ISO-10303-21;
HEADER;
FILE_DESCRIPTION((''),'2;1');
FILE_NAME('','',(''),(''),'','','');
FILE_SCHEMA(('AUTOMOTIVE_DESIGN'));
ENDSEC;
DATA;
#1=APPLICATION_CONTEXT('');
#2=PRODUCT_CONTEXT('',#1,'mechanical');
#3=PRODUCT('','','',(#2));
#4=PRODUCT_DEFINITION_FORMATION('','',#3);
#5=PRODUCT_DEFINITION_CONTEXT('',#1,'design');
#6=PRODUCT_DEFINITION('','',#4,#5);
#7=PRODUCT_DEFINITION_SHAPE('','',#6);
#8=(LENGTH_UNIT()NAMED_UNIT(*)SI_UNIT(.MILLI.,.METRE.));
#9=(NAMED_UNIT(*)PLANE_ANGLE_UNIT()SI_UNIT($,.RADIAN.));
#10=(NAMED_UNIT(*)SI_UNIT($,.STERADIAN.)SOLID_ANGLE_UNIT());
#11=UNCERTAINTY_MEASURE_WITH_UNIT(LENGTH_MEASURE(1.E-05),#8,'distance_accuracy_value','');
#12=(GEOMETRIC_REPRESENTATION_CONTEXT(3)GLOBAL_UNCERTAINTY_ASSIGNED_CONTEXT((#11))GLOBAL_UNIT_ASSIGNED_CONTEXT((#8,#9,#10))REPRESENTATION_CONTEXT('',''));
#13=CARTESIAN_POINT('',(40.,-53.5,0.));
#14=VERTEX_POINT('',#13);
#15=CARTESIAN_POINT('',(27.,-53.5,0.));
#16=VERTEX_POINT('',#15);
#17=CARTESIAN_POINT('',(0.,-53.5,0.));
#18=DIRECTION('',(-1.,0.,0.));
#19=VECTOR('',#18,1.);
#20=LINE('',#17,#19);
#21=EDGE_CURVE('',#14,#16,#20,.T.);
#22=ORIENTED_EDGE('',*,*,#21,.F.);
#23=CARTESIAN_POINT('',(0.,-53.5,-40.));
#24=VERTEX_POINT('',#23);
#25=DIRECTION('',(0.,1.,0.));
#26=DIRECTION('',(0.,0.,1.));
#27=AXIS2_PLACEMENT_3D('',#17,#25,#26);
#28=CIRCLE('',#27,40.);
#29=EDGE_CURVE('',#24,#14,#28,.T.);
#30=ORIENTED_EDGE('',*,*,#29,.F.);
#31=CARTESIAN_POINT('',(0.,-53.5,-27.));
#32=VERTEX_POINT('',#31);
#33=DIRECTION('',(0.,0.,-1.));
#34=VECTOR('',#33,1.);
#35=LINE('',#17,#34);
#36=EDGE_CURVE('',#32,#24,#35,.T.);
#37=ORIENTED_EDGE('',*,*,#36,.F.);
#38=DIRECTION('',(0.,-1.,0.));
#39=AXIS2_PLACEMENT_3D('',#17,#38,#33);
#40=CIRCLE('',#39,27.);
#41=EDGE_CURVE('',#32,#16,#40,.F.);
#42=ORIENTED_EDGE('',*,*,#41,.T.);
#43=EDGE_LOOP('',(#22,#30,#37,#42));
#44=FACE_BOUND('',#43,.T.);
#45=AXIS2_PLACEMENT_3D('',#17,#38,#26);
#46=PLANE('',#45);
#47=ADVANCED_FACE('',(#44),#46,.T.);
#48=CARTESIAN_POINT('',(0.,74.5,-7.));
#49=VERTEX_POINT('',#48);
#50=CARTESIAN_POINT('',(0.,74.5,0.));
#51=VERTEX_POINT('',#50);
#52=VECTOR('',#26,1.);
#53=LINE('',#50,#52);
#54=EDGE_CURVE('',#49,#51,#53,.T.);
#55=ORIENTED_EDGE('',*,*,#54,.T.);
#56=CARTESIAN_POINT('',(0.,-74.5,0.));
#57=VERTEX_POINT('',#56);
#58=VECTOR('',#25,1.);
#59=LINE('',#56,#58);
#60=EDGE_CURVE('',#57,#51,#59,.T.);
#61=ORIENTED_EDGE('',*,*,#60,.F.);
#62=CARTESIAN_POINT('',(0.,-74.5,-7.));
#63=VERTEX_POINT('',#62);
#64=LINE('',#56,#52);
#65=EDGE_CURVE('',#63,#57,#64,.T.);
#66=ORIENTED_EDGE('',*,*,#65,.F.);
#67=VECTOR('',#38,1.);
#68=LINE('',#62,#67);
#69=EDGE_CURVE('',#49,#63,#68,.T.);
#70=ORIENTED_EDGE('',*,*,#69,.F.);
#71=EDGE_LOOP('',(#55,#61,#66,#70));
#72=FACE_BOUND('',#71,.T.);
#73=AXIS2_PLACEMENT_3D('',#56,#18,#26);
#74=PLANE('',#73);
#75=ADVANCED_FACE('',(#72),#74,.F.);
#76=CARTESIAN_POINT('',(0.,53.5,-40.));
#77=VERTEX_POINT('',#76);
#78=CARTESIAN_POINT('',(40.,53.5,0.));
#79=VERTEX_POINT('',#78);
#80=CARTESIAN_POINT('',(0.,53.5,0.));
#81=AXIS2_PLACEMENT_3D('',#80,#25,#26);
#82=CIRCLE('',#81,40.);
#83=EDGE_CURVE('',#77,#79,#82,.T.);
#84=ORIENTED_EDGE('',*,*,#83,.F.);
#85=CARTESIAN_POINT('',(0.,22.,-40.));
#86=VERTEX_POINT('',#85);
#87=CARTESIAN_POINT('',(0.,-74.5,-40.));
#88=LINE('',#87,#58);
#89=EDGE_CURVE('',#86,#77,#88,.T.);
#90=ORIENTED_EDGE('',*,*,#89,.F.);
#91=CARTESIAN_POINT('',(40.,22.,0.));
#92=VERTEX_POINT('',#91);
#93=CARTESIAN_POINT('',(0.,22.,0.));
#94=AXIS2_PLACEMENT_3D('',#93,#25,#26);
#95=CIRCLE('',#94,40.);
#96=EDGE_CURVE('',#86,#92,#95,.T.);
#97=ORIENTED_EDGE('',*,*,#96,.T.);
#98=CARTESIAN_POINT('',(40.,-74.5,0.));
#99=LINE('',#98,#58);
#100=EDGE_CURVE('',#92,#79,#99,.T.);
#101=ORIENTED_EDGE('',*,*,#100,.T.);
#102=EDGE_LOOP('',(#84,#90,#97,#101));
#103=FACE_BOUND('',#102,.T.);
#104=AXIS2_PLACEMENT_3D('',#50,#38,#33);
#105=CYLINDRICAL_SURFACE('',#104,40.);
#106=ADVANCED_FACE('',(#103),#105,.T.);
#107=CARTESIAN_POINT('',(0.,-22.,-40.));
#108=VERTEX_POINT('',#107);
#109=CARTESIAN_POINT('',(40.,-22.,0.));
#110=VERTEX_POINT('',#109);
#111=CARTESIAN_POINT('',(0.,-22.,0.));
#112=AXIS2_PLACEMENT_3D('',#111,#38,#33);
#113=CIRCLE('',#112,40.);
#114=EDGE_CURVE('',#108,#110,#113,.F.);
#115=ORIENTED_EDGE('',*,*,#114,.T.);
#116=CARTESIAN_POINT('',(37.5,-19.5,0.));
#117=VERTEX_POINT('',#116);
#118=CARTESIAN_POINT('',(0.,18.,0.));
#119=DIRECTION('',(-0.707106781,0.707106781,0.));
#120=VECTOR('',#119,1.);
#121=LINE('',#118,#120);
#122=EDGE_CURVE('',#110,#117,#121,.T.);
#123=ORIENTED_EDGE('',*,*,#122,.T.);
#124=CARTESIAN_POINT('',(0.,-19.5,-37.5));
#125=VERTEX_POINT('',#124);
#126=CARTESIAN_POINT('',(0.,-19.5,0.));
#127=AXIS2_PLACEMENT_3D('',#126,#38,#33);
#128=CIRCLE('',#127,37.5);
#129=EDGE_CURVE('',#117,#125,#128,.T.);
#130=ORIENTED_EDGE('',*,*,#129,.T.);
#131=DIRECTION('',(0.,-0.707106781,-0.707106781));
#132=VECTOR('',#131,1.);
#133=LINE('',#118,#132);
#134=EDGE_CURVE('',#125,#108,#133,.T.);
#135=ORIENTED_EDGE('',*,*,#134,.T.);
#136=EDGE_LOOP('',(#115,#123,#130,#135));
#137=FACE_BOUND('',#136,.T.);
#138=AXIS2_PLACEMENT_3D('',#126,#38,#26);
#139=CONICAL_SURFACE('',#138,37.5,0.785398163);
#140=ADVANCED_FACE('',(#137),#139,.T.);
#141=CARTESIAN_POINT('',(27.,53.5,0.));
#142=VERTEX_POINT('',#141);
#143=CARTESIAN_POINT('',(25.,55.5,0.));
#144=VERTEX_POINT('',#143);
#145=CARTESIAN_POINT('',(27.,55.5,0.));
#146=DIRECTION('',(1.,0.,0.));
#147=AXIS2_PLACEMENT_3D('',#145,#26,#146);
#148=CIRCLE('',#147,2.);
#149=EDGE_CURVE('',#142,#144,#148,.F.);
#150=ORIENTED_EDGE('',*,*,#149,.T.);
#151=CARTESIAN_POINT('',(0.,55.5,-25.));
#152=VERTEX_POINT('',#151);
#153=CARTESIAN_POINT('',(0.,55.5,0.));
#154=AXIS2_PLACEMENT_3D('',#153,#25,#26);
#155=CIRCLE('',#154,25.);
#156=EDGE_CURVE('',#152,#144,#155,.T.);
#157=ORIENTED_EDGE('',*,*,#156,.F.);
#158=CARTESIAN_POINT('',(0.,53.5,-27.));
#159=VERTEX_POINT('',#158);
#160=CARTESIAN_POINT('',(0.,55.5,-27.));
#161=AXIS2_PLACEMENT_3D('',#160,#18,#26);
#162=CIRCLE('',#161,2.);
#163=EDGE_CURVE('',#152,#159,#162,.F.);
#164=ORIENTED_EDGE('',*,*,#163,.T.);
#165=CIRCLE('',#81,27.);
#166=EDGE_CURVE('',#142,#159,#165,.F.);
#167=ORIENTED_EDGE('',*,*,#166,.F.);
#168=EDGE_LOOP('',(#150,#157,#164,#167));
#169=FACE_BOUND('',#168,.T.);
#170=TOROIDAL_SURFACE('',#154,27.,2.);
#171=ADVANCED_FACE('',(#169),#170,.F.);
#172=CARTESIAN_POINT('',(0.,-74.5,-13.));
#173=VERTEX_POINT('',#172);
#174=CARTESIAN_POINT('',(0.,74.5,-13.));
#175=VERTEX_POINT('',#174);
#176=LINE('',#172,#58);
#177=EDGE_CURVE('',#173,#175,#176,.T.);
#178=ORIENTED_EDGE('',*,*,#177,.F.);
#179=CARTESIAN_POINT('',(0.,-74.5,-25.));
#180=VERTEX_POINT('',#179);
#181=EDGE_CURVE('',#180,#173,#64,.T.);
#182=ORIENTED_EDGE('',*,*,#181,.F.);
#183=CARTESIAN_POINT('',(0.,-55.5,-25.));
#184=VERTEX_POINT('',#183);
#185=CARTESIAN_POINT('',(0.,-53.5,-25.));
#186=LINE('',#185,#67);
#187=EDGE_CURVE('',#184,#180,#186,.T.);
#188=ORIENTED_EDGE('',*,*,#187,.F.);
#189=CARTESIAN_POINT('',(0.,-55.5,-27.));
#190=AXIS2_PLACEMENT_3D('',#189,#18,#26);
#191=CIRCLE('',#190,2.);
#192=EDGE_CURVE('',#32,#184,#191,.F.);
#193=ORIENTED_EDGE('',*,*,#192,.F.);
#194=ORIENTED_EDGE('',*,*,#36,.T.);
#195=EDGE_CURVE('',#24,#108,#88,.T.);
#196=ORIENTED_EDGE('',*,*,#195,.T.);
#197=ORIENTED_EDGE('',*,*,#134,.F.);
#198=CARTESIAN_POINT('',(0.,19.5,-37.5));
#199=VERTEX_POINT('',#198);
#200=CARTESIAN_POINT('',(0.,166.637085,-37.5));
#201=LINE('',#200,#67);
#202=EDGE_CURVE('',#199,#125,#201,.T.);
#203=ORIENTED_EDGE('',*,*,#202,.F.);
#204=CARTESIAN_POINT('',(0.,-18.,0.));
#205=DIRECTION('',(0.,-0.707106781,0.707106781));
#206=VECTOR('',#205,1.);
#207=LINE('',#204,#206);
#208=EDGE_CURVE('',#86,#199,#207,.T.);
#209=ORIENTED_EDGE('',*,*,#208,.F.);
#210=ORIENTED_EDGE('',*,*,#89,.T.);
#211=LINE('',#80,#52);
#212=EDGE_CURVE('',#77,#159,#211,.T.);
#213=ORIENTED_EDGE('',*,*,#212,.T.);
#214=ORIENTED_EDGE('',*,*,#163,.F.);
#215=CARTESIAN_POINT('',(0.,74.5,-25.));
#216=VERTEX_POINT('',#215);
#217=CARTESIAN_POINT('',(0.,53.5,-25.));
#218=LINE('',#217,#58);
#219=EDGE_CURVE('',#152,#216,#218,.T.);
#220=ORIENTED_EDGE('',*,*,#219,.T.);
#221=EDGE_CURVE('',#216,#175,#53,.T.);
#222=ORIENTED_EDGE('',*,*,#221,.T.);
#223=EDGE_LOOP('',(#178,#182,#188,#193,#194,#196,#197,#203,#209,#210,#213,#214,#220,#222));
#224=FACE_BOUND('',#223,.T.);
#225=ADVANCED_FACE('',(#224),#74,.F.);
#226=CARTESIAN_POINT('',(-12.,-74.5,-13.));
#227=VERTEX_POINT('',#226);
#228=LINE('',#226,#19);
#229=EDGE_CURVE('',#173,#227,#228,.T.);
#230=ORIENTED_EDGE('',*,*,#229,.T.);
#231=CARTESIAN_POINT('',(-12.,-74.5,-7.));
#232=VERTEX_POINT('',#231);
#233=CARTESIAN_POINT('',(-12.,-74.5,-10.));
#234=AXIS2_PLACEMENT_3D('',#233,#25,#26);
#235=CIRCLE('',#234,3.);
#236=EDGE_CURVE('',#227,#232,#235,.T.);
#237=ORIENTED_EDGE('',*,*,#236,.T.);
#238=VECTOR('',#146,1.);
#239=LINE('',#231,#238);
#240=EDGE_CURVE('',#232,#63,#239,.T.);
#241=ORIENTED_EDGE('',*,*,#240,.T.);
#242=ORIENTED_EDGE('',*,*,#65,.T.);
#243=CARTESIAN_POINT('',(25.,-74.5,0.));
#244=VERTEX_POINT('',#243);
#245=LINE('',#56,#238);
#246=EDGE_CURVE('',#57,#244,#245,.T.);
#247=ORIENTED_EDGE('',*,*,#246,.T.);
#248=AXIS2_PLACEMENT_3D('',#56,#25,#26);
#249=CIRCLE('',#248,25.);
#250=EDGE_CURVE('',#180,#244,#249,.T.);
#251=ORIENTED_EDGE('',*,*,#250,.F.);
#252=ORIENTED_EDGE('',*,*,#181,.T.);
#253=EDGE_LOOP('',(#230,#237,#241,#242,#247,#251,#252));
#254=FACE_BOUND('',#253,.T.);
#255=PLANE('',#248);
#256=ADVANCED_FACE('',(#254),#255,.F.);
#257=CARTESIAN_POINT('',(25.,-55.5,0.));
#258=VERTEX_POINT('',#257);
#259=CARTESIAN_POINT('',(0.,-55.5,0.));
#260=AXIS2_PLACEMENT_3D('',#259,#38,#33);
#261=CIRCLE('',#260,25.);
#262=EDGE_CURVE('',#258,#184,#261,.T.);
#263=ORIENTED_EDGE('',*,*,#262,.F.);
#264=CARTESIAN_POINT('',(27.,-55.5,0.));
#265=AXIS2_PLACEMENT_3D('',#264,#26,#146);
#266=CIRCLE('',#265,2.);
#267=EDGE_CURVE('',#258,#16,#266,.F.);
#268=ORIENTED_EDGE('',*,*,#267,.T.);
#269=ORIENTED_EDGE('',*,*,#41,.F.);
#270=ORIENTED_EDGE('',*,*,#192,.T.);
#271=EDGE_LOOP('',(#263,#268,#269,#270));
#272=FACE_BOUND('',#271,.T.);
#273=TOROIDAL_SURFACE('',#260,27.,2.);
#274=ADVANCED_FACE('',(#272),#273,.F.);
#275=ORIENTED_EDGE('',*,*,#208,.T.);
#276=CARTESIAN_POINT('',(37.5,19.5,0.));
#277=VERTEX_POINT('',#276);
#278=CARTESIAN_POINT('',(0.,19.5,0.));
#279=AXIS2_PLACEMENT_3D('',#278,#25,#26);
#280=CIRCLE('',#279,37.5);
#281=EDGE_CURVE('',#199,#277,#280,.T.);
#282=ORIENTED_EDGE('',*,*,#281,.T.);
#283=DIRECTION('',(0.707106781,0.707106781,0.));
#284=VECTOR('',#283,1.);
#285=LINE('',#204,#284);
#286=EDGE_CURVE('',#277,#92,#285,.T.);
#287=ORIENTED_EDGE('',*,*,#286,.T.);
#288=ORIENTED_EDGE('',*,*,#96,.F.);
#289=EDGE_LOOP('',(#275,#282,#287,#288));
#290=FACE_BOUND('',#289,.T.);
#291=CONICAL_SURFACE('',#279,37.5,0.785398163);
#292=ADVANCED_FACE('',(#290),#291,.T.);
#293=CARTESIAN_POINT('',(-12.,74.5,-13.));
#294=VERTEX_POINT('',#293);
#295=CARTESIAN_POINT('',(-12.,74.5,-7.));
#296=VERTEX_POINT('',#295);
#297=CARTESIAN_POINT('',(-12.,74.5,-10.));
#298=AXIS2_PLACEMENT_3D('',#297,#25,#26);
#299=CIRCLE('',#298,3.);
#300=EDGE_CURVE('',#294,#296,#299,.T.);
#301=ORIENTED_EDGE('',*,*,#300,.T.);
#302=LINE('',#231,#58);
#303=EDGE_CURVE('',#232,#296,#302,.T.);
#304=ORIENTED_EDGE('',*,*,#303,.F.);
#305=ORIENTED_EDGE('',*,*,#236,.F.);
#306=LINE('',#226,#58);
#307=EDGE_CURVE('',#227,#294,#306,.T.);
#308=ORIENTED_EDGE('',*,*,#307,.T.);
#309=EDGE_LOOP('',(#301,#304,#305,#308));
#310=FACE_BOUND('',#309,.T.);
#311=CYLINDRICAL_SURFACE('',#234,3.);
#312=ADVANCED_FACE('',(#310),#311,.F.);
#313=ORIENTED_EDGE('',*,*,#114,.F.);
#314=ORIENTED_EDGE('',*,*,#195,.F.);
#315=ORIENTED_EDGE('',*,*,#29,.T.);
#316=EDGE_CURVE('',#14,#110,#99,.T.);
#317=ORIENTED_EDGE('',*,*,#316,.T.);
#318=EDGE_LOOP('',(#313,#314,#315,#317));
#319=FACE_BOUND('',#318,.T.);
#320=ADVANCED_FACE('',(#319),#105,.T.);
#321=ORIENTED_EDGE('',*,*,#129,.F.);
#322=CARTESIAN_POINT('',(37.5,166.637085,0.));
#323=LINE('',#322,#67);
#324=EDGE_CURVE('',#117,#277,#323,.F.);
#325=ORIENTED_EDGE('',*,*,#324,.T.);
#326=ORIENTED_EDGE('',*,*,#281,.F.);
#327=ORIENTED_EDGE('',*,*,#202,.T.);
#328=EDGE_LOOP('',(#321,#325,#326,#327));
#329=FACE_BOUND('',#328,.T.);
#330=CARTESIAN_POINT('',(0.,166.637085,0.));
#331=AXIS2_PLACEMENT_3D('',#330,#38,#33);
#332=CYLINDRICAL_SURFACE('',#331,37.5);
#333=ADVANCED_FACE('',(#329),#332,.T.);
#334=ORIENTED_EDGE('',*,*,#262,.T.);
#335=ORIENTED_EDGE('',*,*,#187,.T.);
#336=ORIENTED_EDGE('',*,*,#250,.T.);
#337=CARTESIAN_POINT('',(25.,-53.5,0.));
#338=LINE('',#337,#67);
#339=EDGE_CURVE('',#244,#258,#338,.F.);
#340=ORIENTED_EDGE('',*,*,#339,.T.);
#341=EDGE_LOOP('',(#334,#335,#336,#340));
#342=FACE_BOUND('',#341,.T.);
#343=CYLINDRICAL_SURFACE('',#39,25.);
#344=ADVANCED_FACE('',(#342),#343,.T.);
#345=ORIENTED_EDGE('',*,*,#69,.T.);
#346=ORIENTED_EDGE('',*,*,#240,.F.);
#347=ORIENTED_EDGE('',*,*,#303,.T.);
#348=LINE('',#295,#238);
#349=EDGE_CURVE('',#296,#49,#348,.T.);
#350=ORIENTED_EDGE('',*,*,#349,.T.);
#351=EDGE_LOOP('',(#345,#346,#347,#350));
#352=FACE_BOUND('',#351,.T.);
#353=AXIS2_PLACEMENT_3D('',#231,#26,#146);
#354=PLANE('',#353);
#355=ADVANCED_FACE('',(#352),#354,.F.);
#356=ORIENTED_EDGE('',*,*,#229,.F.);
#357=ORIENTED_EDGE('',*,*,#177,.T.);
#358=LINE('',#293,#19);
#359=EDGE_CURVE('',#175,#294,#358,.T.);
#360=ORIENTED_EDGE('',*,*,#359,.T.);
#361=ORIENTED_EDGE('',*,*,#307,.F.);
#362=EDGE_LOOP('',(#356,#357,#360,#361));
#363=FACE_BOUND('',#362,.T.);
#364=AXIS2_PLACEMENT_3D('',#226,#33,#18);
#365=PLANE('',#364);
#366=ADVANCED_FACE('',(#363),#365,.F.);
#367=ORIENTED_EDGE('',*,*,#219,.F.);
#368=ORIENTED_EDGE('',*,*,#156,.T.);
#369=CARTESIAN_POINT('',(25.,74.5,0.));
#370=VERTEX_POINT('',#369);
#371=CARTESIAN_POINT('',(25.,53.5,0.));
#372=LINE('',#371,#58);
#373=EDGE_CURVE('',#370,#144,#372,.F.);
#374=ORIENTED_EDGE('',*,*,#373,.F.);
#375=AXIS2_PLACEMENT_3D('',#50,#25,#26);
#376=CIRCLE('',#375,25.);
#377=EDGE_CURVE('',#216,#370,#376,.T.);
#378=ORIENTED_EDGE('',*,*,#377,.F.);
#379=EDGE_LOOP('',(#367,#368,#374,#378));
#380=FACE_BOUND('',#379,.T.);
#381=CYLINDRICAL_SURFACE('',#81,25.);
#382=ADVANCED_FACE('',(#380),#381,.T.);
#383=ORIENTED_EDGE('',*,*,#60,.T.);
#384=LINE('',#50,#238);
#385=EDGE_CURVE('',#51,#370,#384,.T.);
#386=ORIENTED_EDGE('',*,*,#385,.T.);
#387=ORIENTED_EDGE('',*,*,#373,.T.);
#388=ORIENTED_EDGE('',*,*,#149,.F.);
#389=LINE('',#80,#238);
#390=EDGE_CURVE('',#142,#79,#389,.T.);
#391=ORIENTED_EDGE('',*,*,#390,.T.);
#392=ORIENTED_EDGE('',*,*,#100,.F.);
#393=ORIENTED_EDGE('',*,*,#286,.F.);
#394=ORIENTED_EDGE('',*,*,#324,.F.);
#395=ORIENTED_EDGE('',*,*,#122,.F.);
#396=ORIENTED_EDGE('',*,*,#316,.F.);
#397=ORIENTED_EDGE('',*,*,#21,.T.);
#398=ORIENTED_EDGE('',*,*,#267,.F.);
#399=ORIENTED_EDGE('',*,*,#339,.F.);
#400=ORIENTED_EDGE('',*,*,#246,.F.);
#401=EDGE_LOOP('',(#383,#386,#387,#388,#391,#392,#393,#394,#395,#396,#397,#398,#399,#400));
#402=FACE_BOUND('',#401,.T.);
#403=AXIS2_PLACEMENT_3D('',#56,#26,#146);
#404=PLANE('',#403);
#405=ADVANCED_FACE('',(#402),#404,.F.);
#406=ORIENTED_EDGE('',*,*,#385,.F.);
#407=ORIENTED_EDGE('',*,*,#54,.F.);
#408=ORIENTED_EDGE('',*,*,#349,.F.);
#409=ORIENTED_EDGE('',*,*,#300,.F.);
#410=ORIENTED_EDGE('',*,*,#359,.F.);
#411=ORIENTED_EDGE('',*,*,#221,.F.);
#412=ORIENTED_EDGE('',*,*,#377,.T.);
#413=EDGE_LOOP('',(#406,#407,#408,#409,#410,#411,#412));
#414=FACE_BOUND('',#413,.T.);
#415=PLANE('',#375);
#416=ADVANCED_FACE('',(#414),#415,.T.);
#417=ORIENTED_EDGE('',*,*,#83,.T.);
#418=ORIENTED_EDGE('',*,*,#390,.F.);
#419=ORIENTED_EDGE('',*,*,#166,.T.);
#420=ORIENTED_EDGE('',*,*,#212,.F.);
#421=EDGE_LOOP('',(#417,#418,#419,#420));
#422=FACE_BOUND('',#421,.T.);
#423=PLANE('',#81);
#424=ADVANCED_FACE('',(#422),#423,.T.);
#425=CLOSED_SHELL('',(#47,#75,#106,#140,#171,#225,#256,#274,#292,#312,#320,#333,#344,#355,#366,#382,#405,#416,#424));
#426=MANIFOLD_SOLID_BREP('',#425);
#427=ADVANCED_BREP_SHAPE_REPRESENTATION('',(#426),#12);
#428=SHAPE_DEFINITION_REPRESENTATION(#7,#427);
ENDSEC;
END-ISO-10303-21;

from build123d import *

# Parameters (mm, degrees)
SKETCH1_R               = 40
BOSS_EXTRUDE1_DEPTH     = 74.5
SKETCH3_R               = 40
SKETCH3_R_2             = 25
CUT_EXTRUDE1_DEPTH      = 21
CUT_EXTRUDE2_DEPTH      = 22
CUT_EXTRUDE2_DEPTH_BACK = 22
SKETCH2_R               = 40
SKETCH2_R_2             = 37.5
CUT_EXTRUDE4_DEPTH      = 160.376911753
FILLET1_R               = 2
CUT_EXTRUDE5_DEPTH      = 160.376911753


with BuildPart() as part:
    # Sketch1 → Boss-Extrude1 (new, symmetric)
    with BuildSketch(Plane(origin=(0, 0, 0), x_dir=(1, 0, 0), z_dir=(0, 1, 0))):
        with Locations(Location((0, 0, 0), (0, 0, 270))):
            Circle(SKETCH1_R)
    extrude(amount=BOSS_EXTRUDE1_DEPTH, both=True)

    # Sketch3 → Cut-Extrude1 (cut)
    with BuildSketch(Plane(origin=(0, 74.5, 0), x_dir=(1, 0, 0), z_dir=(0, 1, 0))):
        with Locations(Location((0, 0, 0), (0, 0, 270))):
            Circle(SKETCH3_R)
        with Locations(Location((0, 0, 0), (0, 0, 270))):
            Circle(SKETCH3_R_2, mode=Mode.SUBTRACT)
    cut_extrude1 = extrude(amount=-CUT_EXTRUDE1_DEPTH, mode=Mode.SUBTRACT)

    # Mirror1: Cut-Extrude1 across plane
    add(cut_extrude1.mirror(Plane.ZX), mode=Mode.SUBTRACT)

    # Sketch2 → Cut-Extrude2 (cut, two sides: drawn at the far end of the back side and taken through both)
    with BuildSketch(Plane(origin=(0, 0, 0), x_dir=(1, 0, 0), z_dir=(0, 1, 0)).offset(-CUT_EXTRUDE2_DEPTH_BACK)):
        with Locations(Location((0, 0, 0), (0, 0, 270))):
            Circle(SKETCH2_R)
        with Locations(Location((0, 0, 0), (0, 0, 90))):
            Circle(SKETCH2_R_2, mode=Mode.SUBTRACT)
    extrude(amount=CUT_EXTRUDE2_DEPTH + CUT_EXTRUDE2_DEPTH_BACK, mode=Mode.SUBTRACT)

    # Sketch5 → Cut-Extrude4 (cut, through all)
    with BuildSketch(Plane(origin=(0, 74.5, 0), x_dir=(1, 0, 0), z_dir=(0, 1, 0))):
        with BuildLine():
            Line((-12, 13), (12, 13))
            ThreePointArc((12, 13), (15, 10), (12, 7))
            Line((12, 7), (-12, 7))
            ThreePointArc((-12, 7), (-15, 10), (-12, 13))
        make_face()
    extrude(amount=-CUT_EXTRUDE4_DEPTH, mode=Mode.SUBTRACT)

    # Fillet1
    fillet1_edges = [part.edges().sort_by_distance(p)[0] for p in [
        (0, -53.5, -25),
        (0, 53.5, -25),
    ]]
    fillet(fillet1_edges, radius=FILLET1_R)

    # Sketch7 → Revolve2 (revolve)
    with BuildSketch(Plane(origin=(0, 0, 0), x_dir=(0, 0, -1), z_dir=(1, 0, 0))):
        Polygon((40, 22), (37.5, 19.5), (37.5, 22), align=None)
    revolve2 = revolve(axis=Axis((0, 103.881416882, 0), (0, -1, 0)))

    # Mirror2: Revolve2 across plane
    add(revolve2.mirror(Plane.ZX))

    # Sketch4 → Cut-Extrude5 (cut, through all)
    with BuildSketch(Plane(origin=(0, 74.5, 0), x_dir=(1, 0, 0), z_dir=(0, 1, 0))):
        with BuildLine():
            Line((0, 0), (0, 40))
            ThreePointArc((0, 40), (28.284271247, 28.284271247), (40, 0))
            Line((40, 0), (0, 0))
        make_face()
    extrude(amount=-CUT_EXTRUDE5_DEPTH, mode=Mode.SUBTRACT)


solid = part.part
